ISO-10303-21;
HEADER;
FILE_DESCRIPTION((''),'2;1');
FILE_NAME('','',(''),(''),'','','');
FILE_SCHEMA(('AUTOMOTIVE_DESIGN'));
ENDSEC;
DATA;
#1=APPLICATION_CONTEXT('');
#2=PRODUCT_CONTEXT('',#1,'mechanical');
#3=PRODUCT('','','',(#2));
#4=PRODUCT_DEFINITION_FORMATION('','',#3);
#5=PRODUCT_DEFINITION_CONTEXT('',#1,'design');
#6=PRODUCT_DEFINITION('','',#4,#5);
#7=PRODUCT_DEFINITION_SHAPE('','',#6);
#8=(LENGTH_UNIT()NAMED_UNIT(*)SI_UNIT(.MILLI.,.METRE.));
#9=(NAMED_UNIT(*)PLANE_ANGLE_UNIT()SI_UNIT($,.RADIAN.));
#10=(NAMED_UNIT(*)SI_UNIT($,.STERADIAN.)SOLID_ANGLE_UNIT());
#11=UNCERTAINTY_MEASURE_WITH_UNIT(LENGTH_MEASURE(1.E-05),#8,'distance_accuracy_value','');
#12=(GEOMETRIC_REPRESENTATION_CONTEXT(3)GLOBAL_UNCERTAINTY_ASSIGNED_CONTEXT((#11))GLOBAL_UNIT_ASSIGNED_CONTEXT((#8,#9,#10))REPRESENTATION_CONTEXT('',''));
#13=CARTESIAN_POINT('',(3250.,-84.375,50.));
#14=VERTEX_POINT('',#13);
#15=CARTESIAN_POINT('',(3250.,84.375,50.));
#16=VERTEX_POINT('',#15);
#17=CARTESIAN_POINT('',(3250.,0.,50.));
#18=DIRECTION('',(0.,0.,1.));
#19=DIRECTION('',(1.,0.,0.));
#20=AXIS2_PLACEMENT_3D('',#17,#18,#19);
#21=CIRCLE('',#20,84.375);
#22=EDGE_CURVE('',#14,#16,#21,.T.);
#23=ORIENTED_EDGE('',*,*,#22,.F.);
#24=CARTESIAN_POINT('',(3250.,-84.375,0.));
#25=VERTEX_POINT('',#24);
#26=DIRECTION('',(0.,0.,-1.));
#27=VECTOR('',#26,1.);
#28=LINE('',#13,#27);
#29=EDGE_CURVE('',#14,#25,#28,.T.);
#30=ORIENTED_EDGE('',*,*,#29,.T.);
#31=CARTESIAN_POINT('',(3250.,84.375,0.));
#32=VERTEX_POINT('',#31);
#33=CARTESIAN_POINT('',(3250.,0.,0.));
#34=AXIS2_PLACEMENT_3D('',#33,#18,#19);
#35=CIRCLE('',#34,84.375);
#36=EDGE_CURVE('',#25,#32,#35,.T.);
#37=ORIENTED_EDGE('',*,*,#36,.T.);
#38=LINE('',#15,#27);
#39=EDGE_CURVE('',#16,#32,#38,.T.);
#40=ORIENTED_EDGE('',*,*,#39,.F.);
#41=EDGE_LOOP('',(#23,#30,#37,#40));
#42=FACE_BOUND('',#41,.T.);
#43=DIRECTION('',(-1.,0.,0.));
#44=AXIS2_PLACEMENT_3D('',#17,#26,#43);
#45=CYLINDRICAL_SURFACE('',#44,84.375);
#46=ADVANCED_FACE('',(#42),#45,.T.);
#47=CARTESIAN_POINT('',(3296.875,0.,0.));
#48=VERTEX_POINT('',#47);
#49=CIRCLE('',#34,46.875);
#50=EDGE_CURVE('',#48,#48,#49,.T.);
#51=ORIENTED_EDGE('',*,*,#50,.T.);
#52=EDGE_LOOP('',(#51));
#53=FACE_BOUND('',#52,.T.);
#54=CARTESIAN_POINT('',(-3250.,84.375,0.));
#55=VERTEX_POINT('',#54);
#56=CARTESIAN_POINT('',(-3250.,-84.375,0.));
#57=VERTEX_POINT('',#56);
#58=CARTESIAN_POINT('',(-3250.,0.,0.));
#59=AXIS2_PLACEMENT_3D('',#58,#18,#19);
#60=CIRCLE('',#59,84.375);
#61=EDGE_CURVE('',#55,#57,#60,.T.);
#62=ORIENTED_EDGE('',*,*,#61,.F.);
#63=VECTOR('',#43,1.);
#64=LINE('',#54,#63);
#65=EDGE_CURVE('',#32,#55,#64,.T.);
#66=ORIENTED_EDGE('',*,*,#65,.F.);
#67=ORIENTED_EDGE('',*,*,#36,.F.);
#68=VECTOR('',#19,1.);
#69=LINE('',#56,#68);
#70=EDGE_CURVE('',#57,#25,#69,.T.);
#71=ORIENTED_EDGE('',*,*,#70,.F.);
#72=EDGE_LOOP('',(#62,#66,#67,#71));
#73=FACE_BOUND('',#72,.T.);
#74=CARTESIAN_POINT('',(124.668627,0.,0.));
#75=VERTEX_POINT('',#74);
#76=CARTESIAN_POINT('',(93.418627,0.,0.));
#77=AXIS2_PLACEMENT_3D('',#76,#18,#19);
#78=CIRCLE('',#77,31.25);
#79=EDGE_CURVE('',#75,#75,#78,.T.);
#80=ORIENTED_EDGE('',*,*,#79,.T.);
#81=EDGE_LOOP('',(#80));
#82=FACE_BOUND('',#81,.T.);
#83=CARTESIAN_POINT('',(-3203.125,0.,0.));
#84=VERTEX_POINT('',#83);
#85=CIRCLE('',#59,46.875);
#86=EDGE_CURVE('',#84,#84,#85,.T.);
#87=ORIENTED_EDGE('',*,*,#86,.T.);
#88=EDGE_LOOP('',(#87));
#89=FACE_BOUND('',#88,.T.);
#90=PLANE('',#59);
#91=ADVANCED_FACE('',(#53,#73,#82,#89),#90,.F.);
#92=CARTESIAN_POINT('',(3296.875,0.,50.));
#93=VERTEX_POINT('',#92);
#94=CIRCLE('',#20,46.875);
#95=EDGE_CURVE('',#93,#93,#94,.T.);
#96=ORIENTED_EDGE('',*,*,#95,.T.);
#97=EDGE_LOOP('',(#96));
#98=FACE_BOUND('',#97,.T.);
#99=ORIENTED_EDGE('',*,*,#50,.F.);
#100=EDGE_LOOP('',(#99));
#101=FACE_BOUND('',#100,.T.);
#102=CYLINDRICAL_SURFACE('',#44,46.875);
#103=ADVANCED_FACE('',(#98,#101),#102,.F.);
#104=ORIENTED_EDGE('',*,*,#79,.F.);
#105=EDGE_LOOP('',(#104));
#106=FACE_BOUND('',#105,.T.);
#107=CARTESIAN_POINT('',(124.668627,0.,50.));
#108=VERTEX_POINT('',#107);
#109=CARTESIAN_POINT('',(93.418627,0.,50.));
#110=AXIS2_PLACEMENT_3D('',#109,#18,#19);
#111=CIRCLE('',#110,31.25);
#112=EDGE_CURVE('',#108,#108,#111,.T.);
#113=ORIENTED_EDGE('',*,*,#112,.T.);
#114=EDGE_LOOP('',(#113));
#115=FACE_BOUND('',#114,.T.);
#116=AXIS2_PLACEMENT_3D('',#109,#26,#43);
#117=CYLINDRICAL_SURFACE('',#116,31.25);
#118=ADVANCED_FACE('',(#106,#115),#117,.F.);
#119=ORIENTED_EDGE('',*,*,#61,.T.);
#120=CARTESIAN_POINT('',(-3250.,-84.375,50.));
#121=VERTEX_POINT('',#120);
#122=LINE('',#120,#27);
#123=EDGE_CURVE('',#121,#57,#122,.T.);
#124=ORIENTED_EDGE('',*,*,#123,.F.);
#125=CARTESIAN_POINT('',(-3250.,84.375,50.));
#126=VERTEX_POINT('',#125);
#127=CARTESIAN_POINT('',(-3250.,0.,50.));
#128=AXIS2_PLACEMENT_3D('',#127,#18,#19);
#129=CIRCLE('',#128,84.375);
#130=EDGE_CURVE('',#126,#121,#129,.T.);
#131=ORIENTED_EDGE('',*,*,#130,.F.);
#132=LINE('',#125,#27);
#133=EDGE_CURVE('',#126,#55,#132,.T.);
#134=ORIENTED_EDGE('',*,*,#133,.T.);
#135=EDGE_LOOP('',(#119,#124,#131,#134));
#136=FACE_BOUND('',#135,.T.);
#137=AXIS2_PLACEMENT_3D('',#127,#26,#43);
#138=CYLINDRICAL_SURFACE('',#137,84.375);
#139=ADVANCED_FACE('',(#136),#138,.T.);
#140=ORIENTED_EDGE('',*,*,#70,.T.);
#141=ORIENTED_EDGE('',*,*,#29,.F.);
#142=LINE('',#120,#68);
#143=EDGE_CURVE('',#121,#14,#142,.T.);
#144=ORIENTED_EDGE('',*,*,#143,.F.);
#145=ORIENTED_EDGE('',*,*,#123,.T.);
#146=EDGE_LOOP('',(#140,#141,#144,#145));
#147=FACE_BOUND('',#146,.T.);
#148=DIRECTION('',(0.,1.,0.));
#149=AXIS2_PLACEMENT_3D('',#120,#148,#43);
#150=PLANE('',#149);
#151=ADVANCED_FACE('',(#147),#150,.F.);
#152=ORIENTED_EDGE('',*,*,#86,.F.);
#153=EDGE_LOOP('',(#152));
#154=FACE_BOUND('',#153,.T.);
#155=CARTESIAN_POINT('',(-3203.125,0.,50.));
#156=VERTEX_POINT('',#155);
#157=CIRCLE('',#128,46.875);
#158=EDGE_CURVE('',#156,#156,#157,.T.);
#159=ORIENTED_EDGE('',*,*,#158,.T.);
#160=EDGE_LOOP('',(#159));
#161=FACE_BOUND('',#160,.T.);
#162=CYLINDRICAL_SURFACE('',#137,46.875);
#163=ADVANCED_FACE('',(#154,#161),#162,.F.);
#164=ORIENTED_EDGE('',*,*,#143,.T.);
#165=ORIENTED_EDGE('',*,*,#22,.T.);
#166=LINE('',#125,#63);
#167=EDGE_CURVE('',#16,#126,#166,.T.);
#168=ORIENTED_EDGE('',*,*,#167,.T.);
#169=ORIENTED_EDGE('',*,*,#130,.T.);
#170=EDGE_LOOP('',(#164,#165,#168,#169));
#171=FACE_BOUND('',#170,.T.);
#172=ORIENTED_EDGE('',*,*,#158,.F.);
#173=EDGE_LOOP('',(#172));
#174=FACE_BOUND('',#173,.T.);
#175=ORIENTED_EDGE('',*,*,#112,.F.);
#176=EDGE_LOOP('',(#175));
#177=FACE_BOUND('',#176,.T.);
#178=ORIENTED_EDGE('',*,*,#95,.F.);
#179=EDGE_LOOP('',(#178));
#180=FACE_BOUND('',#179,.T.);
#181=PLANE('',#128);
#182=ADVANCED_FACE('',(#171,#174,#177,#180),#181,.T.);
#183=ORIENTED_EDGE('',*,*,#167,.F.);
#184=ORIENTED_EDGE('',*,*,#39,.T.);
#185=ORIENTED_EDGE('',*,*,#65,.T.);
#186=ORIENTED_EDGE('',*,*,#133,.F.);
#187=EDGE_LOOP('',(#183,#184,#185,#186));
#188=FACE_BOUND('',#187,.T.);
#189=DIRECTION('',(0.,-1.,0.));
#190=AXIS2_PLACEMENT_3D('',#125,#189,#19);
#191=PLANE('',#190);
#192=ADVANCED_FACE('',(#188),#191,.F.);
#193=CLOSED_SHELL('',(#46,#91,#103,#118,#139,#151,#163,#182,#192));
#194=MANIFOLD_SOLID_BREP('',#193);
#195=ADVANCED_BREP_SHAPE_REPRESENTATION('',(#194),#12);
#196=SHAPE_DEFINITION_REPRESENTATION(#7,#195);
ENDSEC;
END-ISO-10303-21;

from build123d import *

# Parameters (mm, degrees)
SKETCH1_R           = 46.875
SKETCH1_R_2         = 31.25
BOSS_EXTRUDE1_DEPTH = 50


with BuildPart() as part:
    # Sketch1 → Boss-Extrude1 (new body)
    with BuildSketch(Plane.XY):
        with BuildLine():
            Line((-3250, 84.375), (3250, 84.375))
            ThreePointArc((3250, 84.375), (3334.375, 0), (3250, -84.375))
            Line((3250, -84.375), (-3250, -84.375))
            ThreePointArc((-3250, -84.375), (-3334.375, 0), (-3250, 84.375))
        make_face()
        with Locations((-3250, 0)):
            Circle(SKETCH1_R, mode=Mode.SUBTRACT)
        with Locations((93.418627244, 0)):
            Circle(SKETCH1_R_2, mode=Mode.SUBTRACT)
        with Locations((3250, 0)):
            Circle(SKETCH1_R, mode=Mode.SUBTRACT)
    extrude(amount=BOSS_EXTRUDE1_DEPTH)


solid = part.part
